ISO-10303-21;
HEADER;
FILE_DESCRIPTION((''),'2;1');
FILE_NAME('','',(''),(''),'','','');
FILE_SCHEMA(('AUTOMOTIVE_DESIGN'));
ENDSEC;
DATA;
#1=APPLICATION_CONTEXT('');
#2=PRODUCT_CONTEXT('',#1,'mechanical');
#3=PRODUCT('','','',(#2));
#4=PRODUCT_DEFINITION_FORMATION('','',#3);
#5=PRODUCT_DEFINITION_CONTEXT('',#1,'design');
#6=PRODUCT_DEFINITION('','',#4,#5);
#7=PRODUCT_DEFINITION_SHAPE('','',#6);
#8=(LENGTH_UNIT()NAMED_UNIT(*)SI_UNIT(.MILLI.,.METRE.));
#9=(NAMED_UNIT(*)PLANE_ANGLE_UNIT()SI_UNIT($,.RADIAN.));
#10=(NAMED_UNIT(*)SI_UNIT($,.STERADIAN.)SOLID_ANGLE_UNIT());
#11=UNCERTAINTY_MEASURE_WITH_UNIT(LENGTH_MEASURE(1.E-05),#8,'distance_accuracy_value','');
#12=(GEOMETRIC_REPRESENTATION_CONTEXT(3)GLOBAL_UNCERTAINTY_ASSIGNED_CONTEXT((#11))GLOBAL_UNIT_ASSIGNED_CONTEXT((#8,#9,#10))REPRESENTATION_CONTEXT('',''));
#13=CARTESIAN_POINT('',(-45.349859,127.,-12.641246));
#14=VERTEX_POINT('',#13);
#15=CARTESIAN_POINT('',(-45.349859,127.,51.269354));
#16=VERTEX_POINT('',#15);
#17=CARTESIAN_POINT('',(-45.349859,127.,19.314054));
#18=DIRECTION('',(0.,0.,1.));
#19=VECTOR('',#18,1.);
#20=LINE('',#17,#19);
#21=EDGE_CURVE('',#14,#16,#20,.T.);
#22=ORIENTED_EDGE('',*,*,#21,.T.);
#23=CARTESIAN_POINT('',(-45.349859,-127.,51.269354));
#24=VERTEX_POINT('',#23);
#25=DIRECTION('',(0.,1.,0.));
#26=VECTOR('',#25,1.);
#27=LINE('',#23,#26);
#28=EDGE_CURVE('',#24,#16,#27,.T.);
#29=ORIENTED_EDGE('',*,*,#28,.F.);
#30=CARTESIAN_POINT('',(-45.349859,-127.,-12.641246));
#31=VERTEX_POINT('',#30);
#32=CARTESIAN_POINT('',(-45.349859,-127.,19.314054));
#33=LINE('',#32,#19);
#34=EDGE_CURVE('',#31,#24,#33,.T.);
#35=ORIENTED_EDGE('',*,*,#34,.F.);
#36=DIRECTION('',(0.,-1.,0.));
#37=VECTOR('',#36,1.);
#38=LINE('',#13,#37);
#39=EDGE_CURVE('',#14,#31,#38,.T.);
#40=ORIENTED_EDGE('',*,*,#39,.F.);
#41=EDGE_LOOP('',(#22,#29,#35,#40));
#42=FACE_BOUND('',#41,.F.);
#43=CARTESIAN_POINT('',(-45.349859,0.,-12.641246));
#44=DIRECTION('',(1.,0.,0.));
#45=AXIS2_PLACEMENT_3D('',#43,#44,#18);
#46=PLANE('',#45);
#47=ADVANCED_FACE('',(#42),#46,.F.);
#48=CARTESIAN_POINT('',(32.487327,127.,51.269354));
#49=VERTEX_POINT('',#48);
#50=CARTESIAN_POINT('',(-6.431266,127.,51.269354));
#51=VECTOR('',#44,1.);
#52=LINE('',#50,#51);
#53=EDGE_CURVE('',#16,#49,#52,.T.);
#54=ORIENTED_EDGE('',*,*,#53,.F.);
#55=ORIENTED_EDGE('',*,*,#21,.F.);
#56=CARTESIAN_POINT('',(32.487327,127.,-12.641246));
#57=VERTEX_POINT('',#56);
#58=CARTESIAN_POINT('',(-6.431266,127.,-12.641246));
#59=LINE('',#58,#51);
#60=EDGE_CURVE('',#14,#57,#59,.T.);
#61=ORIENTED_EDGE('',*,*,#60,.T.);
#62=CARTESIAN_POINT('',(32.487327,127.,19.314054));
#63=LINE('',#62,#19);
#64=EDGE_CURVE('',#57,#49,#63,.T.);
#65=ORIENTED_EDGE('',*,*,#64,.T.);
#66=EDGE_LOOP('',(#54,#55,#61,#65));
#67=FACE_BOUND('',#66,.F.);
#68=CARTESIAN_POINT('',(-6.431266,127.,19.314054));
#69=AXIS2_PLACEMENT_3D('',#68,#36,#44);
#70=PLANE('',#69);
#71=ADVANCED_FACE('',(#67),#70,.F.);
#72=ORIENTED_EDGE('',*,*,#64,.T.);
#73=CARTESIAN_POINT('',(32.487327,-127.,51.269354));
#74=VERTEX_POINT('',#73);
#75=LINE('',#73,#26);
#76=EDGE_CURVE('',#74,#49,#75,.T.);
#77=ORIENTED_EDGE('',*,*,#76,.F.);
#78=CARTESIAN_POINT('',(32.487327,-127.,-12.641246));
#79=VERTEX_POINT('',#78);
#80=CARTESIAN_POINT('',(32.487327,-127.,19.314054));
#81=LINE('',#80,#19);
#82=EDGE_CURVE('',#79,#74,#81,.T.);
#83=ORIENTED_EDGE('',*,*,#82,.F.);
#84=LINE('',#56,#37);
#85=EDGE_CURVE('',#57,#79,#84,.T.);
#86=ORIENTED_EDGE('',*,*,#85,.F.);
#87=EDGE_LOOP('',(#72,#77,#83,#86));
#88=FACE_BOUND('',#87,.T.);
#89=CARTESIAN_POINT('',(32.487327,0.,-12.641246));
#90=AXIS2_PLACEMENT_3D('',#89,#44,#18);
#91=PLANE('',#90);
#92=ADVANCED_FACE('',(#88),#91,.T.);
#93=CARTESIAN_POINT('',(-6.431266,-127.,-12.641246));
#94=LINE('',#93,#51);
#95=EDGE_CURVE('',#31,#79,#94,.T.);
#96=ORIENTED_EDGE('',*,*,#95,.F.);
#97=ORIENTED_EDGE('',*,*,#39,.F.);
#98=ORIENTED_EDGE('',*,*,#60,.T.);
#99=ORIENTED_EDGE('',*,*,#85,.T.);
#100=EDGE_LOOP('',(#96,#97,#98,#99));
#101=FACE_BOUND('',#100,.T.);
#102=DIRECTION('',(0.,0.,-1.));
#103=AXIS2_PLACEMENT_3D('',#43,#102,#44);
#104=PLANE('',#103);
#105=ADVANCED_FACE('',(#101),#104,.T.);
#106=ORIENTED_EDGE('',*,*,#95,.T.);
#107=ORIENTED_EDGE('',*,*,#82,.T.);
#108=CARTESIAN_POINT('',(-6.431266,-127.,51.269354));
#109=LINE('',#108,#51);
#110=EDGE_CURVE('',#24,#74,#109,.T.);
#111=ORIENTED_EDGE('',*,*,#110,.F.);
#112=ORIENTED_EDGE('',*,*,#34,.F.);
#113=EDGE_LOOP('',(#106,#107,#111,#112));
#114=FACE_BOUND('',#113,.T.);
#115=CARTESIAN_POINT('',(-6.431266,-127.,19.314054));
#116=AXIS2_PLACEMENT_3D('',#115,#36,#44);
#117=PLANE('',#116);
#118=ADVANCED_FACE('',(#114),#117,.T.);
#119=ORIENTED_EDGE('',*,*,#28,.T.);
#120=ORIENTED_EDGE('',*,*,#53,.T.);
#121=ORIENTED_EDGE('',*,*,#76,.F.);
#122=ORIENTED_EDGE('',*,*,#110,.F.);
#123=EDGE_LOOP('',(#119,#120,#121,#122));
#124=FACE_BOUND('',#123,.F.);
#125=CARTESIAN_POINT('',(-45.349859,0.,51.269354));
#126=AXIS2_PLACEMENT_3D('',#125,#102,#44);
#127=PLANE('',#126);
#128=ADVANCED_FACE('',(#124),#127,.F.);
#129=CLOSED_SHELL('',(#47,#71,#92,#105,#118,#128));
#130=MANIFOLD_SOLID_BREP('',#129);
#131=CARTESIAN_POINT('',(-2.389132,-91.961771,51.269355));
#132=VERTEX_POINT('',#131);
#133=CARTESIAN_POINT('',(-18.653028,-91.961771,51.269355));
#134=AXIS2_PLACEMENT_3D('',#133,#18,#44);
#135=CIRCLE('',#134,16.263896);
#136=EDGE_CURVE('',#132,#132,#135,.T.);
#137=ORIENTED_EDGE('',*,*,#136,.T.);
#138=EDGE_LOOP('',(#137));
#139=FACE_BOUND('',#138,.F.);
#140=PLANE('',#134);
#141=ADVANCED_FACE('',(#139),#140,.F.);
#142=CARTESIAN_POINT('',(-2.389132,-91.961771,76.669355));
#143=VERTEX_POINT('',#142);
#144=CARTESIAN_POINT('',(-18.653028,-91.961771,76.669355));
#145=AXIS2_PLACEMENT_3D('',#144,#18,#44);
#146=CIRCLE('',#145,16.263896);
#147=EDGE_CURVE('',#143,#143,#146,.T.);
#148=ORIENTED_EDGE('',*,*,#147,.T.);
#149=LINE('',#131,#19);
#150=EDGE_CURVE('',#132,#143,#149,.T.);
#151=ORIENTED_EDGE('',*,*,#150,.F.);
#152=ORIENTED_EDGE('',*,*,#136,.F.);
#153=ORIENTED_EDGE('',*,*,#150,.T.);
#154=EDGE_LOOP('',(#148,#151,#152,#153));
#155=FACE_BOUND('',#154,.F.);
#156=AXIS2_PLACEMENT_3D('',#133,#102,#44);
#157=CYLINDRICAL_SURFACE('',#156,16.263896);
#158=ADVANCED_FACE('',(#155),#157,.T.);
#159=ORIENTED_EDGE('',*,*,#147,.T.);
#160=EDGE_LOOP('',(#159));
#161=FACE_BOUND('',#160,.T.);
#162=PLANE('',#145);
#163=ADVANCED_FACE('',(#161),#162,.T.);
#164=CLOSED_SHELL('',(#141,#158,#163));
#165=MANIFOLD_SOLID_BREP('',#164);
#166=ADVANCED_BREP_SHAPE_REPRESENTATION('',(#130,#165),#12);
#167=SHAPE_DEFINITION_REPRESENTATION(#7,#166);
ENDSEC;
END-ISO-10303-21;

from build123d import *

# Parameters (mm, degrees)
F0_W     = 77.837185
F0_H     = 63.910601
F1_DEPTH = 127
F2_R     = 16.263896
F3_DEPTH = 25.4


with BuildPart() as f1:
    # F0 (on Front) → F1 (new body, symmetric)
    with BuildSketch(Plane.XZ):
        with Locations((-6.431266, 19.314054)):
            Rectangle(F0_W, F0_H)
    extrude(amount=F1_DEPTH, both=True)


with BuildPart() as f3:
    # F2 (on face) → F3 (new body)
    with BuildSketch(Plane.XY.offset(51.269355)):
        with Locations((-18.653028, -91.961771)):
            Circle(F2_R)
    extrude(amount=F3_DEPTH)


solid = Compound([f1.part, f3.part])
